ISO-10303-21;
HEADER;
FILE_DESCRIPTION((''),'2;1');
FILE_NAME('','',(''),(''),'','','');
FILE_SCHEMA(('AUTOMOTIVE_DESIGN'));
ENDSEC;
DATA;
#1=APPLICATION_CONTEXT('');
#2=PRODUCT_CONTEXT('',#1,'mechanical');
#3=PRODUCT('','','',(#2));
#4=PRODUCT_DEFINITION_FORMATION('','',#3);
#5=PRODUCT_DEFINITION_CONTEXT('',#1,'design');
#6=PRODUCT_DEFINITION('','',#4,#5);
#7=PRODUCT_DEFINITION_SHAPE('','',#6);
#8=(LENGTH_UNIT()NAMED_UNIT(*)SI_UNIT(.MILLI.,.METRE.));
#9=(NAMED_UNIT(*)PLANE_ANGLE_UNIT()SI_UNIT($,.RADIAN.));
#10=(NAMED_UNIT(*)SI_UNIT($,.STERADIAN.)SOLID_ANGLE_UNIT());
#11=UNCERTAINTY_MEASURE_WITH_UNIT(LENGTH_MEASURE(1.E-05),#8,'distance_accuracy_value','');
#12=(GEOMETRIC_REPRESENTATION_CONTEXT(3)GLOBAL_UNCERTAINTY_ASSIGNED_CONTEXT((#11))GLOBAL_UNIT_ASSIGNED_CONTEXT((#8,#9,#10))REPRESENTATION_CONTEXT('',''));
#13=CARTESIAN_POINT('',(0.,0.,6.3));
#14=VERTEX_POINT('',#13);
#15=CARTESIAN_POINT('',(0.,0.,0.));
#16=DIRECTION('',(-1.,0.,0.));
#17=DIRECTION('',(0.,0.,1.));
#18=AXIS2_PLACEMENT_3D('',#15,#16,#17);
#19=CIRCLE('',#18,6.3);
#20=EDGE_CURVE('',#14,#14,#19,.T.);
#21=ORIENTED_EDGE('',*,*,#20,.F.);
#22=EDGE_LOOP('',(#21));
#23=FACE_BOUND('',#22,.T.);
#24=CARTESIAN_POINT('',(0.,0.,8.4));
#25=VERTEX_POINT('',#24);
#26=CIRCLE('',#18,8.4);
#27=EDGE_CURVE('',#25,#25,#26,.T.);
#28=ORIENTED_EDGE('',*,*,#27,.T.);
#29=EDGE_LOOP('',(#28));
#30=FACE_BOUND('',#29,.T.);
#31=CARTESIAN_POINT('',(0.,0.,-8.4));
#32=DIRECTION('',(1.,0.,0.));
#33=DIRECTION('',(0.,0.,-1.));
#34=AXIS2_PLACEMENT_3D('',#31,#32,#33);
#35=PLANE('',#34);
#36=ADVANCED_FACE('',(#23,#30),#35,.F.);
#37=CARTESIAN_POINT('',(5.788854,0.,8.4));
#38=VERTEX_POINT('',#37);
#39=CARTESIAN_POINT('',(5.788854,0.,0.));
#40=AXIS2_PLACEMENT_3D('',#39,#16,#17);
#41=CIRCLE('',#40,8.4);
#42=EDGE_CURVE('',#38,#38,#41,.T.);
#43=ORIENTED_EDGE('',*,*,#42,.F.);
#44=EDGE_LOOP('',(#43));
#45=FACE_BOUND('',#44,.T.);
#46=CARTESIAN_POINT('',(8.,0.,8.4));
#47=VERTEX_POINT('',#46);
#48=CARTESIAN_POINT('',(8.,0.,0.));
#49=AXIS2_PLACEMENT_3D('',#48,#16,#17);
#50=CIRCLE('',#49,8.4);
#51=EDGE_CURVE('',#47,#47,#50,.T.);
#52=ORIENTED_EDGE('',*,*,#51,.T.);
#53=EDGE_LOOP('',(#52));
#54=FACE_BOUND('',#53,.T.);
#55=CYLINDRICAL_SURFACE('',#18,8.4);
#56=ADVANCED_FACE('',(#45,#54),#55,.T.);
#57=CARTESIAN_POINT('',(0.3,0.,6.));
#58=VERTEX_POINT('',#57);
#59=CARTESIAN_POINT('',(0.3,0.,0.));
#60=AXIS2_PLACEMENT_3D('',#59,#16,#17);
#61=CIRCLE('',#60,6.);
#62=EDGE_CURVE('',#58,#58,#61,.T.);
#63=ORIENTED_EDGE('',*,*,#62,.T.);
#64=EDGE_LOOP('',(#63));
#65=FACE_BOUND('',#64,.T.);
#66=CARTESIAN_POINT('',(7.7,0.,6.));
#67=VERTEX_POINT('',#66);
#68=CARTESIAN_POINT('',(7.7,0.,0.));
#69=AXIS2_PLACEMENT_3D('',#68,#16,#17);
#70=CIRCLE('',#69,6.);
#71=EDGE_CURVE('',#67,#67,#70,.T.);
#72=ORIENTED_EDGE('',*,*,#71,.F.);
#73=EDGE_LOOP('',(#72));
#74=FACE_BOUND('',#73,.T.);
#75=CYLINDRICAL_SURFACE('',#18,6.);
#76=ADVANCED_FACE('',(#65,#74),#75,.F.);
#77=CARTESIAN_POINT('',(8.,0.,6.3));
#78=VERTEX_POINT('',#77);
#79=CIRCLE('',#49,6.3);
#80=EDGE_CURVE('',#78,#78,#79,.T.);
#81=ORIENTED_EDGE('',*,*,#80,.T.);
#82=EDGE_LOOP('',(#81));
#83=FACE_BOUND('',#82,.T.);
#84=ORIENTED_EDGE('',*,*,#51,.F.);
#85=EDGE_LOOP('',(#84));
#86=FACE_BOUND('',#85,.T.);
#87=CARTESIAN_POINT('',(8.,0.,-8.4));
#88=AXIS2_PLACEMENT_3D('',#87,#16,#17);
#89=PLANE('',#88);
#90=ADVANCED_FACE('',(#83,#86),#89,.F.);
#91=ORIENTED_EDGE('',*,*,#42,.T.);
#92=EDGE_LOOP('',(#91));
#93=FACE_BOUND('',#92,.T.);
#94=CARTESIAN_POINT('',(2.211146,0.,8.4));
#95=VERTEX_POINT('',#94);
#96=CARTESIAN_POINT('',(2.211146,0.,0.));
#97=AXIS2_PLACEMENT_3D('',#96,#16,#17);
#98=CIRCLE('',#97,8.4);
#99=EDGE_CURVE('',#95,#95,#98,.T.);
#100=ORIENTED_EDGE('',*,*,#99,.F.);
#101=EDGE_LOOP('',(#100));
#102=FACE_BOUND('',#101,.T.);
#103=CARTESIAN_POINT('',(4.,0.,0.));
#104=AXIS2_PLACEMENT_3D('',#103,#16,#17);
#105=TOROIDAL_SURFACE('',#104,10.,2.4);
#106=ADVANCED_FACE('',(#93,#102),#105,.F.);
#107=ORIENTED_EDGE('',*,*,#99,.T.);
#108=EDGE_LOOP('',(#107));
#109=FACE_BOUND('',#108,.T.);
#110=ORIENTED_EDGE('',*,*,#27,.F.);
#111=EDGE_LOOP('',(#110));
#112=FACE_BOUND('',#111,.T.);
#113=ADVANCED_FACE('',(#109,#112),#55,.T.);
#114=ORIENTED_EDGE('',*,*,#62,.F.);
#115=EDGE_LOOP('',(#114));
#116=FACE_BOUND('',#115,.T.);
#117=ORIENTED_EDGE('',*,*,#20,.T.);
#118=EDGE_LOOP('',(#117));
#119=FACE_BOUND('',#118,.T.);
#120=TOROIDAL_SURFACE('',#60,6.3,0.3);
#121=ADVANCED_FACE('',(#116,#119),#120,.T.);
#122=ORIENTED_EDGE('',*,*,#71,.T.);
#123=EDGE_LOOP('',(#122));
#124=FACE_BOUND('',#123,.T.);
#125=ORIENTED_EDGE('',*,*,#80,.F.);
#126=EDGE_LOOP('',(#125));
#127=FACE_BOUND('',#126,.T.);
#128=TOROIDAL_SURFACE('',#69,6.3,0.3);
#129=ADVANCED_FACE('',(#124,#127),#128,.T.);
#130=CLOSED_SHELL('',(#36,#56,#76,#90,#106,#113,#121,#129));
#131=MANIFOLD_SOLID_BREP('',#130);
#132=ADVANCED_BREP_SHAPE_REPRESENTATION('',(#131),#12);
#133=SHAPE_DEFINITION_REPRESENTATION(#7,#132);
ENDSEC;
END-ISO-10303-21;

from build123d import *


with BuildPart() as part:
    # Esquisse1 → Base-Révolution (revolve)
    with BuildSketch(Plane(origin=(0, 0, 0), x_dir=(1, 0, 0), z_dir=(0, 1, 0))):
        with BuildLine():
            Line((0, 8.4), (0, 6.3))
            ThreePointArc((0, 6.3), (0.087867966, 6.087867966), (0.3, 6))
            Line((0.3, 6), (7.7, 6))
            ThreePointArc((7.7, 6), (7.912132034, 6.087867966), (8, 6.3))
            Line((8, 6.3), (8, 8.4))
            Line((8, 8.4), (5.788854382, 8.4))
            ThreePointArc((5.788854382, 8.4), (4, 7.6), (2.211145618, 8.4))
            Line((2.211145618, 8.4), (0, 8.4))
        make_face()
    revolve(axis=Axis((0, 0, 0), (1, 0, 0)))


solid = part.part
